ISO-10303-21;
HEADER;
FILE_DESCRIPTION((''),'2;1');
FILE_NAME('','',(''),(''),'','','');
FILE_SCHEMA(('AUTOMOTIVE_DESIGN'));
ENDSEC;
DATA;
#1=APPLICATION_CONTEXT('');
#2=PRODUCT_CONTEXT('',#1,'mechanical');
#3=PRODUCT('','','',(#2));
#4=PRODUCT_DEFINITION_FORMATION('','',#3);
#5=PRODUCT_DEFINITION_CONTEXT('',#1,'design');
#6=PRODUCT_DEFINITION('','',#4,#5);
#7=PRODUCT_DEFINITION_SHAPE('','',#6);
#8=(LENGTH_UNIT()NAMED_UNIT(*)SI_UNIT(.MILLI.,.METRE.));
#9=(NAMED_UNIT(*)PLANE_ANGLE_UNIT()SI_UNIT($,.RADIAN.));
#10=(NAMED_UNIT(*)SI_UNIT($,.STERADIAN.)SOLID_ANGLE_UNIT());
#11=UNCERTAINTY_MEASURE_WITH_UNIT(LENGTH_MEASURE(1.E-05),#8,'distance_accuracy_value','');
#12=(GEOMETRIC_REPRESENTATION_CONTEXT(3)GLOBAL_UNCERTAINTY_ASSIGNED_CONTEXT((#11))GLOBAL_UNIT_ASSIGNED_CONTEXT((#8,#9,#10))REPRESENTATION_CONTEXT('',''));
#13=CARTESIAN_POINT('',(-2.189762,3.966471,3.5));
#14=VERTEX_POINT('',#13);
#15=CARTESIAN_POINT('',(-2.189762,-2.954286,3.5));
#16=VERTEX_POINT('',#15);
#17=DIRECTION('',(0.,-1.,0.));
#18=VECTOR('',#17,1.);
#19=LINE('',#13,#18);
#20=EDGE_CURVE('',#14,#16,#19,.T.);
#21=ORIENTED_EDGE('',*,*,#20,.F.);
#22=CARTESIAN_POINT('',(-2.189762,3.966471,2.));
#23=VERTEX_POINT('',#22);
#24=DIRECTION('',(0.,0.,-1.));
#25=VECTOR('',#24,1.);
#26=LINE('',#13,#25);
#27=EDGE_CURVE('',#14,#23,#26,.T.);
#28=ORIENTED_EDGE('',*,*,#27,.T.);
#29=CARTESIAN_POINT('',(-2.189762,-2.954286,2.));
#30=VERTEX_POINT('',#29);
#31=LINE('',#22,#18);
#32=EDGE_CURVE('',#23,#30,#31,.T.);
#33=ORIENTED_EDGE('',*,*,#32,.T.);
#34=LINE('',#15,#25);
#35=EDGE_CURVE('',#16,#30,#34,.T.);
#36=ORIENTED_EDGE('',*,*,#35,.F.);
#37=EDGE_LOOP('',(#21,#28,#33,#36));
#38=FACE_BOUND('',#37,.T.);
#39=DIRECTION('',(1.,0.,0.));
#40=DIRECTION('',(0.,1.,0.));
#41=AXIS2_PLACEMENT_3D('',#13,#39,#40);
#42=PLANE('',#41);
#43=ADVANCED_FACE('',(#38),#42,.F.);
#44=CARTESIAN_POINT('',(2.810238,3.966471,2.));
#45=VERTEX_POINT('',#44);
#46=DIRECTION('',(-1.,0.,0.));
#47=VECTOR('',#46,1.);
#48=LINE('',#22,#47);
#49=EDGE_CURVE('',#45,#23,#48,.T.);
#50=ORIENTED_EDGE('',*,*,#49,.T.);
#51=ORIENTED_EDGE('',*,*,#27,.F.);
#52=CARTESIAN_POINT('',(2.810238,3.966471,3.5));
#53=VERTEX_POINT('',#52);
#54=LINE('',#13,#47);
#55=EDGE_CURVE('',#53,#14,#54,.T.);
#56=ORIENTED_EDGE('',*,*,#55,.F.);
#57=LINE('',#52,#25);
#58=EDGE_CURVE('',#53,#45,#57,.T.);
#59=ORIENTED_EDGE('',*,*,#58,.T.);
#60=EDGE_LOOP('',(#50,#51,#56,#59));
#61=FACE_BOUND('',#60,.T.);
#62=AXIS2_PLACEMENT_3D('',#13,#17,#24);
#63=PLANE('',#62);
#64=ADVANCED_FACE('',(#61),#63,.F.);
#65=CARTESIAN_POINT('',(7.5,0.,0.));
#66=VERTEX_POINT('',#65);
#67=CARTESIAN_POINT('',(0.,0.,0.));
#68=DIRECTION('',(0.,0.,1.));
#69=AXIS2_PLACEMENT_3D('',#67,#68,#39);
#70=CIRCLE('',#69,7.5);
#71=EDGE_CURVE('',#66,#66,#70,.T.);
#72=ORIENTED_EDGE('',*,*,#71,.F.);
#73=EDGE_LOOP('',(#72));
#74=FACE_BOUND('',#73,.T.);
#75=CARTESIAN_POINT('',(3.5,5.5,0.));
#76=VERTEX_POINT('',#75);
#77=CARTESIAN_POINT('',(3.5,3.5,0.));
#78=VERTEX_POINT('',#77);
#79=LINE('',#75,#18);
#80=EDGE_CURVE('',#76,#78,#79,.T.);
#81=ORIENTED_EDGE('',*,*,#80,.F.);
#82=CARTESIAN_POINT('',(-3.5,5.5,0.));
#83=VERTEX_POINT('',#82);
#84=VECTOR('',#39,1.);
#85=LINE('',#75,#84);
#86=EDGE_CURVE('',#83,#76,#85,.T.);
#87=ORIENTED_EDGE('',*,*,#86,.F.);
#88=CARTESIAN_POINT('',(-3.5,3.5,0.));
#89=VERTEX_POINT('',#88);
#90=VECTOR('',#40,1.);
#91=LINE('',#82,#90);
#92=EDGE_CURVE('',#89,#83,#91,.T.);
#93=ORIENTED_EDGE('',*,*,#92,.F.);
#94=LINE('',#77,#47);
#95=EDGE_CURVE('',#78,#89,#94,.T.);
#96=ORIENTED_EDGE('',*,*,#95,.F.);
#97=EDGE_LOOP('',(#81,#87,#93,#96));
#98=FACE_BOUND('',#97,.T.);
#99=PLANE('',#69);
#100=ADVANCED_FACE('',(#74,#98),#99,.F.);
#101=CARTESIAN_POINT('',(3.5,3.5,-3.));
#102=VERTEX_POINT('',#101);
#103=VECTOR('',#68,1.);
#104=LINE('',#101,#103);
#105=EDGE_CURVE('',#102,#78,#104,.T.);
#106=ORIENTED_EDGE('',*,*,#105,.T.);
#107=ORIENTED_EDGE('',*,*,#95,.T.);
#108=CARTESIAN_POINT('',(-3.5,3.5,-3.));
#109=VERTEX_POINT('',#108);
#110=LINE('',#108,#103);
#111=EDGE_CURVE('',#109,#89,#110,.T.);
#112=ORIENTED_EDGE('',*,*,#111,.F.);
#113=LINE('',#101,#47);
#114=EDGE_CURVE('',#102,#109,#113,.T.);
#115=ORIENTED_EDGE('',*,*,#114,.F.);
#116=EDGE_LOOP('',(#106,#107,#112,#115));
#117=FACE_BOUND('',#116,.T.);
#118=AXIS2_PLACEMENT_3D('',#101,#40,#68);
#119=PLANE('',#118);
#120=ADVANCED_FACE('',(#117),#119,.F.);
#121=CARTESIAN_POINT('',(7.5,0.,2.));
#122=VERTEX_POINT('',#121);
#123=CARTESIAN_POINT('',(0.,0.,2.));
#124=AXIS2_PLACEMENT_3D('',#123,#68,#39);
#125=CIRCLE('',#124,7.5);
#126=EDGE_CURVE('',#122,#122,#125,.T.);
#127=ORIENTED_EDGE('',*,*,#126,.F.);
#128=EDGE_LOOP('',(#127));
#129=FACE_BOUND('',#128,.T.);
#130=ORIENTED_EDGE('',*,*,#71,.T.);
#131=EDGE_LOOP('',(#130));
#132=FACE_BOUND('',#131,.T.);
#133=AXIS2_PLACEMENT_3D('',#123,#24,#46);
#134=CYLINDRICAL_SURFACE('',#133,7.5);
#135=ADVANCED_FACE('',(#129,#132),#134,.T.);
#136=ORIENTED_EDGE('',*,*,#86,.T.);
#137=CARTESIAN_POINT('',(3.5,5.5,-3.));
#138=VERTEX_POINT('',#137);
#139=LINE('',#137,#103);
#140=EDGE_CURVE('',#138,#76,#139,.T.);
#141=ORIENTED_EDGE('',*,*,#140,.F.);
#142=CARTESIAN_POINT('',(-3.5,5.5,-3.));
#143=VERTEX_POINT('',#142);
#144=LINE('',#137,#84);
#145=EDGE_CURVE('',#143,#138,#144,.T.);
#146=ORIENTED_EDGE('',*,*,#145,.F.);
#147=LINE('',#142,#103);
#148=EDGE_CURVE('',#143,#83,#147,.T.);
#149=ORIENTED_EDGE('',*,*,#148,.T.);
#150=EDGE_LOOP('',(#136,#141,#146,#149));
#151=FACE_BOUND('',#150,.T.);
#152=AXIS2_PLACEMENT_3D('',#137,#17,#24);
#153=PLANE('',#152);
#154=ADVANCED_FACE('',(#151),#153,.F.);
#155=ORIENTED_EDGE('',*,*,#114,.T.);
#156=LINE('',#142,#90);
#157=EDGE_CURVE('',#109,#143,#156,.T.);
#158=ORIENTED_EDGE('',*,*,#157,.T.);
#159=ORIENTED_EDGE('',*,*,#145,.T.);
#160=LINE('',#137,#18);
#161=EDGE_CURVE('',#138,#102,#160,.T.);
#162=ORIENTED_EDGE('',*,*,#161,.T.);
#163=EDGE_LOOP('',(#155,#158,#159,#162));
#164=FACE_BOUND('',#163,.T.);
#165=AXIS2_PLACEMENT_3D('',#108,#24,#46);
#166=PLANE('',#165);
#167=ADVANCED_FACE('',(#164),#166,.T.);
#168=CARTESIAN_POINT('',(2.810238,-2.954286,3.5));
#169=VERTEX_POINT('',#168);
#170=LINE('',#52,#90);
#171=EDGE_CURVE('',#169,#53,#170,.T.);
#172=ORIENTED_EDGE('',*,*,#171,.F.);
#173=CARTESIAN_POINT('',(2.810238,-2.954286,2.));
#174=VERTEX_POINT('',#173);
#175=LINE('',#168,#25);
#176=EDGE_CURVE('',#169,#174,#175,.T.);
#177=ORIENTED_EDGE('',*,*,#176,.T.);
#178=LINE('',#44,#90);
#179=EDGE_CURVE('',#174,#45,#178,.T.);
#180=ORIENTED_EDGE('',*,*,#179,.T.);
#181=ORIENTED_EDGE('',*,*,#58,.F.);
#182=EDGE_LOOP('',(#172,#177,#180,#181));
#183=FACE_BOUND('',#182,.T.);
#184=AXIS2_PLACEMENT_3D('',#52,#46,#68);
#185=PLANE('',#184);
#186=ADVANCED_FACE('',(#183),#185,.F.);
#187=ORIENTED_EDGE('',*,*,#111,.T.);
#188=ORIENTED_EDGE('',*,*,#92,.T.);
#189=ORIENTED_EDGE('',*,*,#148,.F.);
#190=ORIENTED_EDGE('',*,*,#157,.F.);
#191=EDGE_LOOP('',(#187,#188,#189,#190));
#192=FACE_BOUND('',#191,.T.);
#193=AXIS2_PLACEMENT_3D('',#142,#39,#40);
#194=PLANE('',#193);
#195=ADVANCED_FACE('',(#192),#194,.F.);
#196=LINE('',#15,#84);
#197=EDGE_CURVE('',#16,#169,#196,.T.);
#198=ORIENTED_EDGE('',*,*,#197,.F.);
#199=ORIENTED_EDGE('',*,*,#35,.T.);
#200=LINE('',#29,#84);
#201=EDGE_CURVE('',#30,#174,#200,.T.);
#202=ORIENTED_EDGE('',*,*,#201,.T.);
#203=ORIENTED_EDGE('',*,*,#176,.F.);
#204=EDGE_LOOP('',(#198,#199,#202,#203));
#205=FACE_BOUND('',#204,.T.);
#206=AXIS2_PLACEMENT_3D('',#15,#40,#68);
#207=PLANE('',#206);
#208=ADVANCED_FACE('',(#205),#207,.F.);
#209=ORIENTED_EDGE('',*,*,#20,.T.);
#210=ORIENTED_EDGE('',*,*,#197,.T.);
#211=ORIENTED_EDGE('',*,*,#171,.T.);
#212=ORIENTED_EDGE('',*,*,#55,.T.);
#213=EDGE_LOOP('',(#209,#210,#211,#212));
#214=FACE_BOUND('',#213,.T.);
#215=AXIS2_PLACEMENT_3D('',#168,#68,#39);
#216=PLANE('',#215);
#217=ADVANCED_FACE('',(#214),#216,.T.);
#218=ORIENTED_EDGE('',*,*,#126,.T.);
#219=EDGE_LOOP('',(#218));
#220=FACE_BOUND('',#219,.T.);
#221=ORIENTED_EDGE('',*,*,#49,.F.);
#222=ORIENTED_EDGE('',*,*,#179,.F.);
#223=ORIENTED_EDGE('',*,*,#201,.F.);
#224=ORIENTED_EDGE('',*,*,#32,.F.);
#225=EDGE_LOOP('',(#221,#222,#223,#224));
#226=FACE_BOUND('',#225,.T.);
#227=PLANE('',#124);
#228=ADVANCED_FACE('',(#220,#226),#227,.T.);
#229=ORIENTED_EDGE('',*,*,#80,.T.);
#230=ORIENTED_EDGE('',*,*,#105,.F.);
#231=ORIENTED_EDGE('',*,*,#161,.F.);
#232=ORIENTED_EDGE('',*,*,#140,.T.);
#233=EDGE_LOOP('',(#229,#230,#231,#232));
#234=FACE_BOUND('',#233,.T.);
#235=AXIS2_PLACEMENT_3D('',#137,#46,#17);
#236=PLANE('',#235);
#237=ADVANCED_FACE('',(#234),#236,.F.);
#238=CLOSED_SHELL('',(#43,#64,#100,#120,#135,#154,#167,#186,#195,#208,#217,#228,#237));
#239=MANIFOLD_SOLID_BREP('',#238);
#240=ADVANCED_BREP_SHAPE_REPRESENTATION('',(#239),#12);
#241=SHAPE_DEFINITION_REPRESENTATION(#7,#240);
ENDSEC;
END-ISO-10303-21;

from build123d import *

# Parameters (mm, degrees)
SKETCH1_R           = 7.5
BOSS_EXTRUDE1_DEPTH = 2
SKETCH2_W           = 5
SKETCH2_H           = 6.920756948
BOSS_EXTRUDE2_DEPTH = 1.5
SKETCH3_W           = 7
SKETCH3_H           = 2
BOSS_EXTRUDE3_DEPTH = 3


with BuildPart() as part:
    # Sketch1 → Boss-Extrude1 (new body)
    with BuildSketch(Plane.XY):
        Circle(SKETCH1_R)
    extrude(amount=BOSS_EXTRUDE1_DEPTH)

    # Sketch2 → Boss-Extrude2 (add)
    with BuildSketch(Plane.XY.offset(2)):
        with Locations((0.310238116, 0.506092566)):
            Rectangle(SKETCH2_W, SKETCH2_H)
    extrude(amount=BOSS_EXTRUDE2_DEPTH)

    # Sketch3 → Boss-Extrude3 (add)
    with BuildSketch(Plane(origin=(0, 0, 0), x_dir=(-1, 0, 0), z_dir=(0, 0, -1))):
        with Locations((0, 4.5)):
            Rectangle(SKETCH3_W, SKETCH3_H)
    extrude(amount=BOSS_EXTRUDE3_DEPTH)


solid = part.part
